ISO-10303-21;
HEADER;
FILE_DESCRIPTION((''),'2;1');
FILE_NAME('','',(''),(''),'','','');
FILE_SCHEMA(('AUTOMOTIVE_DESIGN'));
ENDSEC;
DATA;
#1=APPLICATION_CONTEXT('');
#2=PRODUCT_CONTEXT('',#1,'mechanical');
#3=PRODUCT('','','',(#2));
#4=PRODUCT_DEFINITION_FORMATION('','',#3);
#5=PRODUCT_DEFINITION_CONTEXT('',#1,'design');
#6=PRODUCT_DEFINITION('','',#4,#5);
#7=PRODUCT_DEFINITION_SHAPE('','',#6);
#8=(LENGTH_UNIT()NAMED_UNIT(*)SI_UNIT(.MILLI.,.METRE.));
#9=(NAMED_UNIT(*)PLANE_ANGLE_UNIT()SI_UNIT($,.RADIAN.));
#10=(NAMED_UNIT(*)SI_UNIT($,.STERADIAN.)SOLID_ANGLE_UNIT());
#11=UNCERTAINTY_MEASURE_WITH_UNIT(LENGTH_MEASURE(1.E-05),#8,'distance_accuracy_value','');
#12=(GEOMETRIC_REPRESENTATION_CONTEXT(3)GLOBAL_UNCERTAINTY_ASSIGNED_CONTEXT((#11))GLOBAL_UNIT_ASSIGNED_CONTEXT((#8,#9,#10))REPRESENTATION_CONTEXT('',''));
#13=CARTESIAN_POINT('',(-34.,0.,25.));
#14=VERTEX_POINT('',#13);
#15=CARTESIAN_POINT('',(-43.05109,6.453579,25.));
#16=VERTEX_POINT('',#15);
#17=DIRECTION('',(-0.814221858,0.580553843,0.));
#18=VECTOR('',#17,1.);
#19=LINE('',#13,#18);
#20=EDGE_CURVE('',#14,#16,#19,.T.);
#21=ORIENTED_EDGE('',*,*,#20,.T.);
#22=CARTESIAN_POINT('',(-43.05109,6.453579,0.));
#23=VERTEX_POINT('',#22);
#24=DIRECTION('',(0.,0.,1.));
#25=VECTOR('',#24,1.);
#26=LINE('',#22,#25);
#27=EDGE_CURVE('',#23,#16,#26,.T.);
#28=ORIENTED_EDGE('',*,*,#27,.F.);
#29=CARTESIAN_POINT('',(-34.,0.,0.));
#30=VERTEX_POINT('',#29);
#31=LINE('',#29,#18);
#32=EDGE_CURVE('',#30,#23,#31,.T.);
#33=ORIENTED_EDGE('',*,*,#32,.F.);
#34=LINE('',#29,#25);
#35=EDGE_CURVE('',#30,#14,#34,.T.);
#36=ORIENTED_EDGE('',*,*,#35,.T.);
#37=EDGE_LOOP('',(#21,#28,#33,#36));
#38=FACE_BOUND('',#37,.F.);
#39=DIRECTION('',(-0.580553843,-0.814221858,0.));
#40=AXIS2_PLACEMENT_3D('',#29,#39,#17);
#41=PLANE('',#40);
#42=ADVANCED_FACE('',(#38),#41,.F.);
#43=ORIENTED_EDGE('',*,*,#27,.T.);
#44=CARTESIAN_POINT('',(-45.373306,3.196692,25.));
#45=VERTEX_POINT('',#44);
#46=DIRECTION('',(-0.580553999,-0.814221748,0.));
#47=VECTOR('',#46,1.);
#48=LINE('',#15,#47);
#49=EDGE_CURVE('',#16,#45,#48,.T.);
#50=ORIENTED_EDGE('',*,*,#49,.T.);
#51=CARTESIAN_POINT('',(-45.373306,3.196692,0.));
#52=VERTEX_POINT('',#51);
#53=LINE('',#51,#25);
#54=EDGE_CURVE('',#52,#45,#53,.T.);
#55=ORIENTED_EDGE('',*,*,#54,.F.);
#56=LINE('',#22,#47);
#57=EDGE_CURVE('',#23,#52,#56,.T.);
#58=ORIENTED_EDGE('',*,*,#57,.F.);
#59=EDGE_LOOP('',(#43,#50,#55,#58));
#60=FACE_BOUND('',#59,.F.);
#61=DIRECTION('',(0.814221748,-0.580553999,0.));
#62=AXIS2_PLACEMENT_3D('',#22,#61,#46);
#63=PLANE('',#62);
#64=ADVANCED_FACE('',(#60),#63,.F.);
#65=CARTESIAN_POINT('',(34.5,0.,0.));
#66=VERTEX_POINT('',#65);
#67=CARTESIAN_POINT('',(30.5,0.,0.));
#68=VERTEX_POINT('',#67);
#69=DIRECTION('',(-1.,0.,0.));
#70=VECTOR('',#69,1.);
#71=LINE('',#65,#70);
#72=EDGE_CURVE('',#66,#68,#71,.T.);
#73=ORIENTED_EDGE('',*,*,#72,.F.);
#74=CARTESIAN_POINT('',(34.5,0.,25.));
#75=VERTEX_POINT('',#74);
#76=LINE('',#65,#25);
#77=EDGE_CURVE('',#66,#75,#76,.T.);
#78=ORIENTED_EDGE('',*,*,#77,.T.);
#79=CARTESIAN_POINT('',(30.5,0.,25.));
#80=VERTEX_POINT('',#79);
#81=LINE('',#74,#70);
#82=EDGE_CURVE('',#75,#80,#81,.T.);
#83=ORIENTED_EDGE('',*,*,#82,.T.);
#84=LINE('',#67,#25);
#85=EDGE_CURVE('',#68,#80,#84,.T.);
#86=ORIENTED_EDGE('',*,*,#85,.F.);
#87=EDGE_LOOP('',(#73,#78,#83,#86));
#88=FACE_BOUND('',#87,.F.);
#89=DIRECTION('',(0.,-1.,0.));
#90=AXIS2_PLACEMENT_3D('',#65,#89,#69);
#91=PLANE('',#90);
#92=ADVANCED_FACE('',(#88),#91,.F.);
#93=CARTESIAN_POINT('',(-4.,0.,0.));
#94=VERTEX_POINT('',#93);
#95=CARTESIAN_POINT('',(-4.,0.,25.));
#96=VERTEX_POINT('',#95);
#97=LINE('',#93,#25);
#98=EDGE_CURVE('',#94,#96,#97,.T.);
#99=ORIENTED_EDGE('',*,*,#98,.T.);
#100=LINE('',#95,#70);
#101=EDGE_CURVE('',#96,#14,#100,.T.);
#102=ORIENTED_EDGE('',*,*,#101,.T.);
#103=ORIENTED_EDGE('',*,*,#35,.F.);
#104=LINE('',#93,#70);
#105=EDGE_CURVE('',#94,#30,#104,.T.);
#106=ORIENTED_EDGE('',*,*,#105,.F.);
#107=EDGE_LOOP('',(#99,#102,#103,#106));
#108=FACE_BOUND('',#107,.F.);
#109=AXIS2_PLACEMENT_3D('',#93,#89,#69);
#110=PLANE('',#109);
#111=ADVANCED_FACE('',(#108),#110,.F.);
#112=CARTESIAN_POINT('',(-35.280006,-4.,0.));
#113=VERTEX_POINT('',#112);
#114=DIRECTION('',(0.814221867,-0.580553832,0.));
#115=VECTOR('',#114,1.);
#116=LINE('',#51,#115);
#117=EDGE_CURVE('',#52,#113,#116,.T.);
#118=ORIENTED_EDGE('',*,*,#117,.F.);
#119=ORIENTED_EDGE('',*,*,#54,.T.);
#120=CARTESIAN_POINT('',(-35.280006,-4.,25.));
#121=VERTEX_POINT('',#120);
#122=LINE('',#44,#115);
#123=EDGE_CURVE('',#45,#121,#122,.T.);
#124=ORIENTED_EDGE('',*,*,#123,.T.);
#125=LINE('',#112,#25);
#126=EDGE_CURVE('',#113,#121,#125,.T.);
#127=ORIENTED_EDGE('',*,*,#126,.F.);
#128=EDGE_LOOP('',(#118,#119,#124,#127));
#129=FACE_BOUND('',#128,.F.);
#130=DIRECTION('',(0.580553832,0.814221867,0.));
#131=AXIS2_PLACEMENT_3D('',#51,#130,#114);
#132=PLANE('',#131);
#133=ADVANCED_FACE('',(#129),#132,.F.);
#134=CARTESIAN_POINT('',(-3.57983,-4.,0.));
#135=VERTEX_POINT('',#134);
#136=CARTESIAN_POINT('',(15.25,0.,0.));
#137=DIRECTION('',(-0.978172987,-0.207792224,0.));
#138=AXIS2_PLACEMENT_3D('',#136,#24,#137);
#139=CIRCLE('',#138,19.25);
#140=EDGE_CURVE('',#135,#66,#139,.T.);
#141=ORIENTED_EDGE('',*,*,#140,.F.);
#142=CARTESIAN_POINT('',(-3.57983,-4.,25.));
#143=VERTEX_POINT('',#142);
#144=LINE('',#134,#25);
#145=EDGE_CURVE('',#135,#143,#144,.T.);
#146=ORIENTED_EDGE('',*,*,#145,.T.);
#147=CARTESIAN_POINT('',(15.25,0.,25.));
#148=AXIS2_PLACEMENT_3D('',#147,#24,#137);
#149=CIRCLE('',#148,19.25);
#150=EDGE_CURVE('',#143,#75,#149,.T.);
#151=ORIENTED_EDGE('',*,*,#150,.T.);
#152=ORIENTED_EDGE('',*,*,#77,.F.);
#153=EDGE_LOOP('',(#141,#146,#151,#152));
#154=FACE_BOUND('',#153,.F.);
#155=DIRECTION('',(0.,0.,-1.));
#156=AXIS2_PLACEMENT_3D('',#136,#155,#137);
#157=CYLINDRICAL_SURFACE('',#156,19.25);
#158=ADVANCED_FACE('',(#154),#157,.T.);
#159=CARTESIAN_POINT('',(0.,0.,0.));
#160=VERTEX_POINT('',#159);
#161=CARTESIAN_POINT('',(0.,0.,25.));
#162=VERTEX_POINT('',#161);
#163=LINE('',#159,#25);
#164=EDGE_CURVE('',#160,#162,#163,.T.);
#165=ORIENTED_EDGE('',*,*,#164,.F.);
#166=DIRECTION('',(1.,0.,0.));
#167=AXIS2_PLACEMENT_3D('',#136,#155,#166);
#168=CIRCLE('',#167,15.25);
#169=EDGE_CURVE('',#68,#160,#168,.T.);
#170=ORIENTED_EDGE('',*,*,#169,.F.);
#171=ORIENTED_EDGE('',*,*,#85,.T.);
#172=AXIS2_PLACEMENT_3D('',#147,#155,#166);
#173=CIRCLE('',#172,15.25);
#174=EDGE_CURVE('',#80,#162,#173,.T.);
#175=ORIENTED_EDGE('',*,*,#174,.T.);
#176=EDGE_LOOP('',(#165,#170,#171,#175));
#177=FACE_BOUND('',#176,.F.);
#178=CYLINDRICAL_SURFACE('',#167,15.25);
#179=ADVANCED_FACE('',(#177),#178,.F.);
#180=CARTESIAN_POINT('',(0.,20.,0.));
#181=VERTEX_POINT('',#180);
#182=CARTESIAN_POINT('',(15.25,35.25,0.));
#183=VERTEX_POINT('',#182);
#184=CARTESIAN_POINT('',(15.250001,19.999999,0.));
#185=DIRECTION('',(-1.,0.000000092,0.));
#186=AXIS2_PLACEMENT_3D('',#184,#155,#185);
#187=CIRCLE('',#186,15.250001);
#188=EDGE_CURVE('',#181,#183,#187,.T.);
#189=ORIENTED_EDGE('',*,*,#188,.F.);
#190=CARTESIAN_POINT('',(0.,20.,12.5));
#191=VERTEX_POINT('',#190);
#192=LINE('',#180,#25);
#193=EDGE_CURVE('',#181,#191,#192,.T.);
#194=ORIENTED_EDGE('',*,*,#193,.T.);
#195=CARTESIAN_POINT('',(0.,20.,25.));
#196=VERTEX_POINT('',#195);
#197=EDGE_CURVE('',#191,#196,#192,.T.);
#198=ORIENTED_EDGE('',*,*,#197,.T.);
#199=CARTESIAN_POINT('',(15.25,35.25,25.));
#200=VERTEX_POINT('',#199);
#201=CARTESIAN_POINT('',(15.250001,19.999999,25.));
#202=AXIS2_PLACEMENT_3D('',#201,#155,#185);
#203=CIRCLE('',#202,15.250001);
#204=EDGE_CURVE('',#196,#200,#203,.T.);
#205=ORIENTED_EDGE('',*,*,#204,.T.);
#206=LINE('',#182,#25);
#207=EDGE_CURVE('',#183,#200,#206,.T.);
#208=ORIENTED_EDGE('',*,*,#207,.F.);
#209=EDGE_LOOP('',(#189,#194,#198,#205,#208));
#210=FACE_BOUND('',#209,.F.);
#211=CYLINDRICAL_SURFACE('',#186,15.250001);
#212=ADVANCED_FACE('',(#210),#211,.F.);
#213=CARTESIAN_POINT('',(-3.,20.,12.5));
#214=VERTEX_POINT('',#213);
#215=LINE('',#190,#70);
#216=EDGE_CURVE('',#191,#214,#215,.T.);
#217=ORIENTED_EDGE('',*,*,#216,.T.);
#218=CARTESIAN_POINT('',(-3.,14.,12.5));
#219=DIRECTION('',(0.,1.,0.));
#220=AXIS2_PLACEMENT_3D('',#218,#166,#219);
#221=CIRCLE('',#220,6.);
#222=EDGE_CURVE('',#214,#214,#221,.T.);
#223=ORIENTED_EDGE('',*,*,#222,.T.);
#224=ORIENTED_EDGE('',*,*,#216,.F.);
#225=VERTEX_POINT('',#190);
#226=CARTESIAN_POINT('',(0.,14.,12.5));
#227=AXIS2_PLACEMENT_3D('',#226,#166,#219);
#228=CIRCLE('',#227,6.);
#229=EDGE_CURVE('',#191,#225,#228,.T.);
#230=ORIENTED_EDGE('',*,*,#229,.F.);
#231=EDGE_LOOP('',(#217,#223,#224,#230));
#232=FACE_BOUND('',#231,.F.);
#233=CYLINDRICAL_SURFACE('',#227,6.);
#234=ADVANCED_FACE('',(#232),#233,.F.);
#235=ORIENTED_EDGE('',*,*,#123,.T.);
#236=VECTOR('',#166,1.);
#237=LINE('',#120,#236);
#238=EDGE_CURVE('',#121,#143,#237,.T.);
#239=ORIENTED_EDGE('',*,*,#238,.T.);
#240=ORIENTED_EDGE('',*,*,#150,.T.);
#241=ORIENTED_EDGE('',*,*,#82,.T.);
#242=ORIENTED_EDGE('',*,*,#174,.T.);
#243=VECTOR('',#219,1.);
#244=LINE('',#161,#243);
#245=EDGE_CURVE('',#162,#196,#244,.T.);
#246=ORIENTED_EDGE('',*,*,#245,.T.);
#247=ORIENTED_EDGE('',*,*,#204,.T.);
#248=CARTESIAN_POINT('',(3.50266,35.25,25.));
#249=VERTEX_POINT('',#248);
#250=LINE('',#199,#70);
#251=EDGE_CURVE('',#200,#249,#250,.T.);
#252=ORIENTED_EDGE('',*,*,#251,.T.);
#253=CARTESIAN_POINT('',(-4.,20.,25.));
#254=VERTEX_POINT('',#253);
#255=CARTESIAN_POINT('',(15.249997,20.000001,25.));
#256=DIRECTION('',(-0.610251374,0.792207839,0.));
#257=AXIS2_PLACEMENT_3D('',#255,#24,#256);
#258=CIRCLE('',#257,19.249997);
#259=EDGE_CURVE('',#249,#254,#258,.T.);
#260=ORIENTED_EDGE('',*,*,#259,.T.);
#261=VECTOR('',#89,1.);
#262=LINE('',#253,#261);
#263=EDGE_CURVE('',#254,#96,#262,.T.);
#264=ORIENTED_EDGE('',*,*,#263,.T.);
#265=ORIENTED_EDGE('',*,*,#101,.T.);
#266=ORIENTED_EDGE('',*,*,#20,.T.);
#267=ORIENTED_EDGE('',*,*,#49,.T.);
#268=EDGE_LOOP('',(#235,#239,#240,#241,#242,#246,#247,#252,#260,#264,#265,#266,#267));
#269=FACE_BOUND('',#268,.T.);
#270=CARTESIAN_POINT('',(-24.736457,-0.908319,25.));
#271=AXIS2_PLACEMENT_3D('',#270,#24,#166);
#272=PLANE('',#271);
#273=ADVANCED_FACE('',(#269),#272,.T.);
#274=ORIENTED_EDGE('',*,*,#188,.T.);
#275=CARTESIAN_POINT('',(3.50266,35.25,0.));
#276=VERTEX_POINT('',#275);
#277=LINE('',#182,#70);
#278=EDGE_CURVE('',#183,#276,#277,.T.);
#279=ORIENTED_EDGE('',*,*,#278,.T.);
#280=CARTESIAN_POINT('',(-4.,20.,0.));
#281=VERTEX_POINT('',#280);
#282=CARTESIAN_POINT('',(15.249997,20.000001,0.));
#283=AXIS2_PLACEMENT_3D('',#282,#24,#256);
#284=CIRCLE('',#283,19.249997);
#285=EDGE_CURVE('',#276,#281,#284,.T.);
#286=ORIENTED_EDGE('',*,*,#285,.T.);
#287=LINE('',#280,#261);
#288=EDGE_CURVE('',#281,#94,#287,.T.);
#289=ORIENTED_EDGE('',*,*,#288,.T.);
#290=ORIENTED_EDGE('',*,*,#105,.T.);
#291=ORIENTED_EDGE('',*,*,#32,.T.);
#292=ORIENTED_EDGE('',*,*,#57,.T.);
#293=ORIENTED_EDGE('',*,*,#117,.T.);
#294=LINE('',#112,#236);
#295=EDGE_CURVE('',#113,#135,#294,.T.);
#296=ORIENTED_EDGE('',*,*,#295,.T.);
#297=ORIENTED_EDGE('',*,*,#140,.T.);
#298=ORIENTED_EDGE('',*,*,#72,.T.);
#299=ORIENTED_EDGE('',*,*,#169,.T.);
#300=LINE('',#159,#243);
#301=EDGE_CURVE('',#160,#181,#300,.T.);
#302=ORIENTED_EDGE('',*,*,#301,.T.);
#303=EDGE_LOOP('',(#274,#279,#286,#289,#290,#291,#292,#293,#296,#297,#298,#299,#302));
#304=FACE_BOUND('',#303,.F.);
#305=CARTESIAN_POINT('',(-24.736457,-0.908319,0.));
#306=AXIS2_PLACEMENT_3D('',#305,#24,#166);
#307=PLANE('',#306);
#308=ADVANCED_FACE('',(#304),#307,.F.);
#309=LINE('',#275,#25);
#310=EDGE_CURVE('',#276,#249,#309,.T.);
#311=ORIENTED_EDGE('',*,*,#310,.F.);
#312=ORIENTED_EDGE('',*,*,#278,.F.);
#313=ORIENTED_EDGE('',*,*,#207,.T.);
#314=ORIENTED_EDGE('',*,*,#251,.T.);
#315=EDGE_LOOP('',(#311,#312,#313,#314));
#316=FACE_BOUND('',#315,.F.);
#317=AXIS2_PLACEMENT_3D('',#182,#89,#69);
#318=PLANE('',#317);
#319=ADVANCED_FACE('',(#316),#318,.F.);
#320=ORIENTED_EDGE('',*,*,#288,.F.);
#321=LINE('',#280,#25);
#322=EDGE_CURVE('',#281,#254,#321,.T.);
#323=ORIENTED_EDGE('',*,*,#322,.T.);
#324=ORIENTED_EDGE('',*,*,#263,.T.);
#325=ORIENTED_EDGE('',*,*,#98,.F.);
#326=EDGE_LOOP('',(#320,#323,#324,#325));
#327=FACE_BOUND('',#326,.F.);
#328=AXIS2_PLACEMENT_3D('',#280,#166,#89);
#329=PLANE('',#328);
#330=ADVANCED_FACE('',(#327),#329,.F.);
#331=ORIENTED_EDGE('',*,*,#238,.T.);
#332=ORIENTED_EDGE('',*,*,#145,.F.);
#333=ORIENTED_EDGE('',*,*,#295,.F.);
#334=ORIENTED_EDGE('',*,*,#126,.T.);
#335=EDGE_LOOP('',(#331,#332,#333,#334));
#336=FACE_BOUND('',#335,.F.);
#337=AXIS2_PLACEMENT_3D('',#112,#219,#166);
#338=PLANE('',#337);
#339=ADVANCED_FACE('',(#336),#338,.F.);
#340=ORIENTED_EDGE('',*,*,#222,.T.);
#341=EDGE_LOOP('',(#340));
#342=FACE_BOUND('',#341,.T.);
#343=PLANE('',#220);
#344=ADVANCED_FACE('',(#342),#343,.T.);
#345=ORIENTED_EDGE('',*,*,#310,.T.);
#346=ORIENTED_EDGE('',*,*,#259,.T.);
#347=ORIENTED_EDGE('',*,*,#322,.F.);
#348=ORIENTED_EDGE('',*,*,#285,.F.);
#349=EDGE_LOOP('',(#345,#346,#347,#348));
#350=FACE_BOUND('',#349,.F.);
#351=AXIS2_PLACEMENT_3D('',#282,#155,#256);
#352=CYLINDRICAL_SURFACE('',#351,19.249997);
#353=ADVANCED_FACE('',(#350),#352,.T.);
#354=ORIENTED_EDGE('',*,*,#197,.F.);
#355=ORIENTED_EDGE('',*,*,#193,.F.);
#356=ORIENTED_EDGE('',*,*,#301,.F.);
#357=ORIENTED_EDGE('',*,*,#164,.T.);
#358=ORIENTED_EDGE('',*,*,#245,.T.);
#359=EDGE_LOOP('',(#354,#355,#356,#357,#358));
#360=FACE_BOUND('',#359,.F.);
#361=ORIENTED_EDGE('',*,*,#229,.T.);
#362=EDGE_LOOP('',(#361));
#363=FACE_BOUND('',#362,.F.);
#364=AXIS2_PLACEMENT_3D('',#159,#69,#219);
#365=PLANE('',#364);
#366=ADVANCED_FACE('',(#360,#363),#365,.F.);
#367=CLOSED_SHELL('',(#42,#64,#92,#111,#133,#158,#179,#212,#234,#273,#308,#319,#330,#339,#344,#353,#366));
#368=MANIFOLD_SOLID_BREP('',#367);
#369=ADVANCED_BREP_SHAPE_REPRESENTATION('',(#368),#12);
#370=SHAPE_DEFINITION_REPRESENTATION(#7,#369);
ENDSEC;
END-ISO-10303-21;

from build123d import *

# Parameters (mm, degrees)
F1_DEPTH = 25
F2_R     = 6
F3_DEPTH = 3


with BuildPart() as f1:
    # F0 (on Top) → F1 (new body)
    with BuildSketch(Plane.XY):
        with BuildLine():
            Line((-35.280006, -4), (-3.57983, -4))
            ThreePointArc((-3.57983, -4), (-3.894669, -2.011004), (-4, 0))
            Line((-4, 0), (-34, 0))
            Line((-34, 0), (-43.05109, 6.453579))
            Line((-43.05109, 6.453579), (-45.373306, 3.196692))
            Line((-45.373306, 3.196692), (-35.280006, -4))
        make_face()
        with BuildLine():
            ThreePointArc((30.5, 0), (15.25, -15.25), (0, 0))
            Line((0, 0), (0, 20))
            ThreePointArc((0, 20), (4.466622, 30.783378), (15.25, 35.25))
            Line((15.25, 35.25), (3.50266, 35.25))
            ThreePointArc((3.50266, 35.25), (-2.022794, 28.497829), (-4, 20))
            Line((-4, 20), (-4, 0))
            ThreePointArc((-4, 0), (-3.894669, -2.011004), (-3.57983, -4))
            ThreePointArc((-3.57983, -4), (17.261004, -19.144669), (34.5, 0))
            Line((34.5, 0), (30.5, 0))
        make_face()
    extrude(amount=F1_DEPTH)

    # F2 (on face) → F3 (cut)
    with BuildSketch(Plane.YZ):
        with Locations((14, 12.5)):
            Circle(F2_R)
    extrude(amount=-F3_DEPTH, mode=Mode.SUBTRACT)


solid = f1.part
